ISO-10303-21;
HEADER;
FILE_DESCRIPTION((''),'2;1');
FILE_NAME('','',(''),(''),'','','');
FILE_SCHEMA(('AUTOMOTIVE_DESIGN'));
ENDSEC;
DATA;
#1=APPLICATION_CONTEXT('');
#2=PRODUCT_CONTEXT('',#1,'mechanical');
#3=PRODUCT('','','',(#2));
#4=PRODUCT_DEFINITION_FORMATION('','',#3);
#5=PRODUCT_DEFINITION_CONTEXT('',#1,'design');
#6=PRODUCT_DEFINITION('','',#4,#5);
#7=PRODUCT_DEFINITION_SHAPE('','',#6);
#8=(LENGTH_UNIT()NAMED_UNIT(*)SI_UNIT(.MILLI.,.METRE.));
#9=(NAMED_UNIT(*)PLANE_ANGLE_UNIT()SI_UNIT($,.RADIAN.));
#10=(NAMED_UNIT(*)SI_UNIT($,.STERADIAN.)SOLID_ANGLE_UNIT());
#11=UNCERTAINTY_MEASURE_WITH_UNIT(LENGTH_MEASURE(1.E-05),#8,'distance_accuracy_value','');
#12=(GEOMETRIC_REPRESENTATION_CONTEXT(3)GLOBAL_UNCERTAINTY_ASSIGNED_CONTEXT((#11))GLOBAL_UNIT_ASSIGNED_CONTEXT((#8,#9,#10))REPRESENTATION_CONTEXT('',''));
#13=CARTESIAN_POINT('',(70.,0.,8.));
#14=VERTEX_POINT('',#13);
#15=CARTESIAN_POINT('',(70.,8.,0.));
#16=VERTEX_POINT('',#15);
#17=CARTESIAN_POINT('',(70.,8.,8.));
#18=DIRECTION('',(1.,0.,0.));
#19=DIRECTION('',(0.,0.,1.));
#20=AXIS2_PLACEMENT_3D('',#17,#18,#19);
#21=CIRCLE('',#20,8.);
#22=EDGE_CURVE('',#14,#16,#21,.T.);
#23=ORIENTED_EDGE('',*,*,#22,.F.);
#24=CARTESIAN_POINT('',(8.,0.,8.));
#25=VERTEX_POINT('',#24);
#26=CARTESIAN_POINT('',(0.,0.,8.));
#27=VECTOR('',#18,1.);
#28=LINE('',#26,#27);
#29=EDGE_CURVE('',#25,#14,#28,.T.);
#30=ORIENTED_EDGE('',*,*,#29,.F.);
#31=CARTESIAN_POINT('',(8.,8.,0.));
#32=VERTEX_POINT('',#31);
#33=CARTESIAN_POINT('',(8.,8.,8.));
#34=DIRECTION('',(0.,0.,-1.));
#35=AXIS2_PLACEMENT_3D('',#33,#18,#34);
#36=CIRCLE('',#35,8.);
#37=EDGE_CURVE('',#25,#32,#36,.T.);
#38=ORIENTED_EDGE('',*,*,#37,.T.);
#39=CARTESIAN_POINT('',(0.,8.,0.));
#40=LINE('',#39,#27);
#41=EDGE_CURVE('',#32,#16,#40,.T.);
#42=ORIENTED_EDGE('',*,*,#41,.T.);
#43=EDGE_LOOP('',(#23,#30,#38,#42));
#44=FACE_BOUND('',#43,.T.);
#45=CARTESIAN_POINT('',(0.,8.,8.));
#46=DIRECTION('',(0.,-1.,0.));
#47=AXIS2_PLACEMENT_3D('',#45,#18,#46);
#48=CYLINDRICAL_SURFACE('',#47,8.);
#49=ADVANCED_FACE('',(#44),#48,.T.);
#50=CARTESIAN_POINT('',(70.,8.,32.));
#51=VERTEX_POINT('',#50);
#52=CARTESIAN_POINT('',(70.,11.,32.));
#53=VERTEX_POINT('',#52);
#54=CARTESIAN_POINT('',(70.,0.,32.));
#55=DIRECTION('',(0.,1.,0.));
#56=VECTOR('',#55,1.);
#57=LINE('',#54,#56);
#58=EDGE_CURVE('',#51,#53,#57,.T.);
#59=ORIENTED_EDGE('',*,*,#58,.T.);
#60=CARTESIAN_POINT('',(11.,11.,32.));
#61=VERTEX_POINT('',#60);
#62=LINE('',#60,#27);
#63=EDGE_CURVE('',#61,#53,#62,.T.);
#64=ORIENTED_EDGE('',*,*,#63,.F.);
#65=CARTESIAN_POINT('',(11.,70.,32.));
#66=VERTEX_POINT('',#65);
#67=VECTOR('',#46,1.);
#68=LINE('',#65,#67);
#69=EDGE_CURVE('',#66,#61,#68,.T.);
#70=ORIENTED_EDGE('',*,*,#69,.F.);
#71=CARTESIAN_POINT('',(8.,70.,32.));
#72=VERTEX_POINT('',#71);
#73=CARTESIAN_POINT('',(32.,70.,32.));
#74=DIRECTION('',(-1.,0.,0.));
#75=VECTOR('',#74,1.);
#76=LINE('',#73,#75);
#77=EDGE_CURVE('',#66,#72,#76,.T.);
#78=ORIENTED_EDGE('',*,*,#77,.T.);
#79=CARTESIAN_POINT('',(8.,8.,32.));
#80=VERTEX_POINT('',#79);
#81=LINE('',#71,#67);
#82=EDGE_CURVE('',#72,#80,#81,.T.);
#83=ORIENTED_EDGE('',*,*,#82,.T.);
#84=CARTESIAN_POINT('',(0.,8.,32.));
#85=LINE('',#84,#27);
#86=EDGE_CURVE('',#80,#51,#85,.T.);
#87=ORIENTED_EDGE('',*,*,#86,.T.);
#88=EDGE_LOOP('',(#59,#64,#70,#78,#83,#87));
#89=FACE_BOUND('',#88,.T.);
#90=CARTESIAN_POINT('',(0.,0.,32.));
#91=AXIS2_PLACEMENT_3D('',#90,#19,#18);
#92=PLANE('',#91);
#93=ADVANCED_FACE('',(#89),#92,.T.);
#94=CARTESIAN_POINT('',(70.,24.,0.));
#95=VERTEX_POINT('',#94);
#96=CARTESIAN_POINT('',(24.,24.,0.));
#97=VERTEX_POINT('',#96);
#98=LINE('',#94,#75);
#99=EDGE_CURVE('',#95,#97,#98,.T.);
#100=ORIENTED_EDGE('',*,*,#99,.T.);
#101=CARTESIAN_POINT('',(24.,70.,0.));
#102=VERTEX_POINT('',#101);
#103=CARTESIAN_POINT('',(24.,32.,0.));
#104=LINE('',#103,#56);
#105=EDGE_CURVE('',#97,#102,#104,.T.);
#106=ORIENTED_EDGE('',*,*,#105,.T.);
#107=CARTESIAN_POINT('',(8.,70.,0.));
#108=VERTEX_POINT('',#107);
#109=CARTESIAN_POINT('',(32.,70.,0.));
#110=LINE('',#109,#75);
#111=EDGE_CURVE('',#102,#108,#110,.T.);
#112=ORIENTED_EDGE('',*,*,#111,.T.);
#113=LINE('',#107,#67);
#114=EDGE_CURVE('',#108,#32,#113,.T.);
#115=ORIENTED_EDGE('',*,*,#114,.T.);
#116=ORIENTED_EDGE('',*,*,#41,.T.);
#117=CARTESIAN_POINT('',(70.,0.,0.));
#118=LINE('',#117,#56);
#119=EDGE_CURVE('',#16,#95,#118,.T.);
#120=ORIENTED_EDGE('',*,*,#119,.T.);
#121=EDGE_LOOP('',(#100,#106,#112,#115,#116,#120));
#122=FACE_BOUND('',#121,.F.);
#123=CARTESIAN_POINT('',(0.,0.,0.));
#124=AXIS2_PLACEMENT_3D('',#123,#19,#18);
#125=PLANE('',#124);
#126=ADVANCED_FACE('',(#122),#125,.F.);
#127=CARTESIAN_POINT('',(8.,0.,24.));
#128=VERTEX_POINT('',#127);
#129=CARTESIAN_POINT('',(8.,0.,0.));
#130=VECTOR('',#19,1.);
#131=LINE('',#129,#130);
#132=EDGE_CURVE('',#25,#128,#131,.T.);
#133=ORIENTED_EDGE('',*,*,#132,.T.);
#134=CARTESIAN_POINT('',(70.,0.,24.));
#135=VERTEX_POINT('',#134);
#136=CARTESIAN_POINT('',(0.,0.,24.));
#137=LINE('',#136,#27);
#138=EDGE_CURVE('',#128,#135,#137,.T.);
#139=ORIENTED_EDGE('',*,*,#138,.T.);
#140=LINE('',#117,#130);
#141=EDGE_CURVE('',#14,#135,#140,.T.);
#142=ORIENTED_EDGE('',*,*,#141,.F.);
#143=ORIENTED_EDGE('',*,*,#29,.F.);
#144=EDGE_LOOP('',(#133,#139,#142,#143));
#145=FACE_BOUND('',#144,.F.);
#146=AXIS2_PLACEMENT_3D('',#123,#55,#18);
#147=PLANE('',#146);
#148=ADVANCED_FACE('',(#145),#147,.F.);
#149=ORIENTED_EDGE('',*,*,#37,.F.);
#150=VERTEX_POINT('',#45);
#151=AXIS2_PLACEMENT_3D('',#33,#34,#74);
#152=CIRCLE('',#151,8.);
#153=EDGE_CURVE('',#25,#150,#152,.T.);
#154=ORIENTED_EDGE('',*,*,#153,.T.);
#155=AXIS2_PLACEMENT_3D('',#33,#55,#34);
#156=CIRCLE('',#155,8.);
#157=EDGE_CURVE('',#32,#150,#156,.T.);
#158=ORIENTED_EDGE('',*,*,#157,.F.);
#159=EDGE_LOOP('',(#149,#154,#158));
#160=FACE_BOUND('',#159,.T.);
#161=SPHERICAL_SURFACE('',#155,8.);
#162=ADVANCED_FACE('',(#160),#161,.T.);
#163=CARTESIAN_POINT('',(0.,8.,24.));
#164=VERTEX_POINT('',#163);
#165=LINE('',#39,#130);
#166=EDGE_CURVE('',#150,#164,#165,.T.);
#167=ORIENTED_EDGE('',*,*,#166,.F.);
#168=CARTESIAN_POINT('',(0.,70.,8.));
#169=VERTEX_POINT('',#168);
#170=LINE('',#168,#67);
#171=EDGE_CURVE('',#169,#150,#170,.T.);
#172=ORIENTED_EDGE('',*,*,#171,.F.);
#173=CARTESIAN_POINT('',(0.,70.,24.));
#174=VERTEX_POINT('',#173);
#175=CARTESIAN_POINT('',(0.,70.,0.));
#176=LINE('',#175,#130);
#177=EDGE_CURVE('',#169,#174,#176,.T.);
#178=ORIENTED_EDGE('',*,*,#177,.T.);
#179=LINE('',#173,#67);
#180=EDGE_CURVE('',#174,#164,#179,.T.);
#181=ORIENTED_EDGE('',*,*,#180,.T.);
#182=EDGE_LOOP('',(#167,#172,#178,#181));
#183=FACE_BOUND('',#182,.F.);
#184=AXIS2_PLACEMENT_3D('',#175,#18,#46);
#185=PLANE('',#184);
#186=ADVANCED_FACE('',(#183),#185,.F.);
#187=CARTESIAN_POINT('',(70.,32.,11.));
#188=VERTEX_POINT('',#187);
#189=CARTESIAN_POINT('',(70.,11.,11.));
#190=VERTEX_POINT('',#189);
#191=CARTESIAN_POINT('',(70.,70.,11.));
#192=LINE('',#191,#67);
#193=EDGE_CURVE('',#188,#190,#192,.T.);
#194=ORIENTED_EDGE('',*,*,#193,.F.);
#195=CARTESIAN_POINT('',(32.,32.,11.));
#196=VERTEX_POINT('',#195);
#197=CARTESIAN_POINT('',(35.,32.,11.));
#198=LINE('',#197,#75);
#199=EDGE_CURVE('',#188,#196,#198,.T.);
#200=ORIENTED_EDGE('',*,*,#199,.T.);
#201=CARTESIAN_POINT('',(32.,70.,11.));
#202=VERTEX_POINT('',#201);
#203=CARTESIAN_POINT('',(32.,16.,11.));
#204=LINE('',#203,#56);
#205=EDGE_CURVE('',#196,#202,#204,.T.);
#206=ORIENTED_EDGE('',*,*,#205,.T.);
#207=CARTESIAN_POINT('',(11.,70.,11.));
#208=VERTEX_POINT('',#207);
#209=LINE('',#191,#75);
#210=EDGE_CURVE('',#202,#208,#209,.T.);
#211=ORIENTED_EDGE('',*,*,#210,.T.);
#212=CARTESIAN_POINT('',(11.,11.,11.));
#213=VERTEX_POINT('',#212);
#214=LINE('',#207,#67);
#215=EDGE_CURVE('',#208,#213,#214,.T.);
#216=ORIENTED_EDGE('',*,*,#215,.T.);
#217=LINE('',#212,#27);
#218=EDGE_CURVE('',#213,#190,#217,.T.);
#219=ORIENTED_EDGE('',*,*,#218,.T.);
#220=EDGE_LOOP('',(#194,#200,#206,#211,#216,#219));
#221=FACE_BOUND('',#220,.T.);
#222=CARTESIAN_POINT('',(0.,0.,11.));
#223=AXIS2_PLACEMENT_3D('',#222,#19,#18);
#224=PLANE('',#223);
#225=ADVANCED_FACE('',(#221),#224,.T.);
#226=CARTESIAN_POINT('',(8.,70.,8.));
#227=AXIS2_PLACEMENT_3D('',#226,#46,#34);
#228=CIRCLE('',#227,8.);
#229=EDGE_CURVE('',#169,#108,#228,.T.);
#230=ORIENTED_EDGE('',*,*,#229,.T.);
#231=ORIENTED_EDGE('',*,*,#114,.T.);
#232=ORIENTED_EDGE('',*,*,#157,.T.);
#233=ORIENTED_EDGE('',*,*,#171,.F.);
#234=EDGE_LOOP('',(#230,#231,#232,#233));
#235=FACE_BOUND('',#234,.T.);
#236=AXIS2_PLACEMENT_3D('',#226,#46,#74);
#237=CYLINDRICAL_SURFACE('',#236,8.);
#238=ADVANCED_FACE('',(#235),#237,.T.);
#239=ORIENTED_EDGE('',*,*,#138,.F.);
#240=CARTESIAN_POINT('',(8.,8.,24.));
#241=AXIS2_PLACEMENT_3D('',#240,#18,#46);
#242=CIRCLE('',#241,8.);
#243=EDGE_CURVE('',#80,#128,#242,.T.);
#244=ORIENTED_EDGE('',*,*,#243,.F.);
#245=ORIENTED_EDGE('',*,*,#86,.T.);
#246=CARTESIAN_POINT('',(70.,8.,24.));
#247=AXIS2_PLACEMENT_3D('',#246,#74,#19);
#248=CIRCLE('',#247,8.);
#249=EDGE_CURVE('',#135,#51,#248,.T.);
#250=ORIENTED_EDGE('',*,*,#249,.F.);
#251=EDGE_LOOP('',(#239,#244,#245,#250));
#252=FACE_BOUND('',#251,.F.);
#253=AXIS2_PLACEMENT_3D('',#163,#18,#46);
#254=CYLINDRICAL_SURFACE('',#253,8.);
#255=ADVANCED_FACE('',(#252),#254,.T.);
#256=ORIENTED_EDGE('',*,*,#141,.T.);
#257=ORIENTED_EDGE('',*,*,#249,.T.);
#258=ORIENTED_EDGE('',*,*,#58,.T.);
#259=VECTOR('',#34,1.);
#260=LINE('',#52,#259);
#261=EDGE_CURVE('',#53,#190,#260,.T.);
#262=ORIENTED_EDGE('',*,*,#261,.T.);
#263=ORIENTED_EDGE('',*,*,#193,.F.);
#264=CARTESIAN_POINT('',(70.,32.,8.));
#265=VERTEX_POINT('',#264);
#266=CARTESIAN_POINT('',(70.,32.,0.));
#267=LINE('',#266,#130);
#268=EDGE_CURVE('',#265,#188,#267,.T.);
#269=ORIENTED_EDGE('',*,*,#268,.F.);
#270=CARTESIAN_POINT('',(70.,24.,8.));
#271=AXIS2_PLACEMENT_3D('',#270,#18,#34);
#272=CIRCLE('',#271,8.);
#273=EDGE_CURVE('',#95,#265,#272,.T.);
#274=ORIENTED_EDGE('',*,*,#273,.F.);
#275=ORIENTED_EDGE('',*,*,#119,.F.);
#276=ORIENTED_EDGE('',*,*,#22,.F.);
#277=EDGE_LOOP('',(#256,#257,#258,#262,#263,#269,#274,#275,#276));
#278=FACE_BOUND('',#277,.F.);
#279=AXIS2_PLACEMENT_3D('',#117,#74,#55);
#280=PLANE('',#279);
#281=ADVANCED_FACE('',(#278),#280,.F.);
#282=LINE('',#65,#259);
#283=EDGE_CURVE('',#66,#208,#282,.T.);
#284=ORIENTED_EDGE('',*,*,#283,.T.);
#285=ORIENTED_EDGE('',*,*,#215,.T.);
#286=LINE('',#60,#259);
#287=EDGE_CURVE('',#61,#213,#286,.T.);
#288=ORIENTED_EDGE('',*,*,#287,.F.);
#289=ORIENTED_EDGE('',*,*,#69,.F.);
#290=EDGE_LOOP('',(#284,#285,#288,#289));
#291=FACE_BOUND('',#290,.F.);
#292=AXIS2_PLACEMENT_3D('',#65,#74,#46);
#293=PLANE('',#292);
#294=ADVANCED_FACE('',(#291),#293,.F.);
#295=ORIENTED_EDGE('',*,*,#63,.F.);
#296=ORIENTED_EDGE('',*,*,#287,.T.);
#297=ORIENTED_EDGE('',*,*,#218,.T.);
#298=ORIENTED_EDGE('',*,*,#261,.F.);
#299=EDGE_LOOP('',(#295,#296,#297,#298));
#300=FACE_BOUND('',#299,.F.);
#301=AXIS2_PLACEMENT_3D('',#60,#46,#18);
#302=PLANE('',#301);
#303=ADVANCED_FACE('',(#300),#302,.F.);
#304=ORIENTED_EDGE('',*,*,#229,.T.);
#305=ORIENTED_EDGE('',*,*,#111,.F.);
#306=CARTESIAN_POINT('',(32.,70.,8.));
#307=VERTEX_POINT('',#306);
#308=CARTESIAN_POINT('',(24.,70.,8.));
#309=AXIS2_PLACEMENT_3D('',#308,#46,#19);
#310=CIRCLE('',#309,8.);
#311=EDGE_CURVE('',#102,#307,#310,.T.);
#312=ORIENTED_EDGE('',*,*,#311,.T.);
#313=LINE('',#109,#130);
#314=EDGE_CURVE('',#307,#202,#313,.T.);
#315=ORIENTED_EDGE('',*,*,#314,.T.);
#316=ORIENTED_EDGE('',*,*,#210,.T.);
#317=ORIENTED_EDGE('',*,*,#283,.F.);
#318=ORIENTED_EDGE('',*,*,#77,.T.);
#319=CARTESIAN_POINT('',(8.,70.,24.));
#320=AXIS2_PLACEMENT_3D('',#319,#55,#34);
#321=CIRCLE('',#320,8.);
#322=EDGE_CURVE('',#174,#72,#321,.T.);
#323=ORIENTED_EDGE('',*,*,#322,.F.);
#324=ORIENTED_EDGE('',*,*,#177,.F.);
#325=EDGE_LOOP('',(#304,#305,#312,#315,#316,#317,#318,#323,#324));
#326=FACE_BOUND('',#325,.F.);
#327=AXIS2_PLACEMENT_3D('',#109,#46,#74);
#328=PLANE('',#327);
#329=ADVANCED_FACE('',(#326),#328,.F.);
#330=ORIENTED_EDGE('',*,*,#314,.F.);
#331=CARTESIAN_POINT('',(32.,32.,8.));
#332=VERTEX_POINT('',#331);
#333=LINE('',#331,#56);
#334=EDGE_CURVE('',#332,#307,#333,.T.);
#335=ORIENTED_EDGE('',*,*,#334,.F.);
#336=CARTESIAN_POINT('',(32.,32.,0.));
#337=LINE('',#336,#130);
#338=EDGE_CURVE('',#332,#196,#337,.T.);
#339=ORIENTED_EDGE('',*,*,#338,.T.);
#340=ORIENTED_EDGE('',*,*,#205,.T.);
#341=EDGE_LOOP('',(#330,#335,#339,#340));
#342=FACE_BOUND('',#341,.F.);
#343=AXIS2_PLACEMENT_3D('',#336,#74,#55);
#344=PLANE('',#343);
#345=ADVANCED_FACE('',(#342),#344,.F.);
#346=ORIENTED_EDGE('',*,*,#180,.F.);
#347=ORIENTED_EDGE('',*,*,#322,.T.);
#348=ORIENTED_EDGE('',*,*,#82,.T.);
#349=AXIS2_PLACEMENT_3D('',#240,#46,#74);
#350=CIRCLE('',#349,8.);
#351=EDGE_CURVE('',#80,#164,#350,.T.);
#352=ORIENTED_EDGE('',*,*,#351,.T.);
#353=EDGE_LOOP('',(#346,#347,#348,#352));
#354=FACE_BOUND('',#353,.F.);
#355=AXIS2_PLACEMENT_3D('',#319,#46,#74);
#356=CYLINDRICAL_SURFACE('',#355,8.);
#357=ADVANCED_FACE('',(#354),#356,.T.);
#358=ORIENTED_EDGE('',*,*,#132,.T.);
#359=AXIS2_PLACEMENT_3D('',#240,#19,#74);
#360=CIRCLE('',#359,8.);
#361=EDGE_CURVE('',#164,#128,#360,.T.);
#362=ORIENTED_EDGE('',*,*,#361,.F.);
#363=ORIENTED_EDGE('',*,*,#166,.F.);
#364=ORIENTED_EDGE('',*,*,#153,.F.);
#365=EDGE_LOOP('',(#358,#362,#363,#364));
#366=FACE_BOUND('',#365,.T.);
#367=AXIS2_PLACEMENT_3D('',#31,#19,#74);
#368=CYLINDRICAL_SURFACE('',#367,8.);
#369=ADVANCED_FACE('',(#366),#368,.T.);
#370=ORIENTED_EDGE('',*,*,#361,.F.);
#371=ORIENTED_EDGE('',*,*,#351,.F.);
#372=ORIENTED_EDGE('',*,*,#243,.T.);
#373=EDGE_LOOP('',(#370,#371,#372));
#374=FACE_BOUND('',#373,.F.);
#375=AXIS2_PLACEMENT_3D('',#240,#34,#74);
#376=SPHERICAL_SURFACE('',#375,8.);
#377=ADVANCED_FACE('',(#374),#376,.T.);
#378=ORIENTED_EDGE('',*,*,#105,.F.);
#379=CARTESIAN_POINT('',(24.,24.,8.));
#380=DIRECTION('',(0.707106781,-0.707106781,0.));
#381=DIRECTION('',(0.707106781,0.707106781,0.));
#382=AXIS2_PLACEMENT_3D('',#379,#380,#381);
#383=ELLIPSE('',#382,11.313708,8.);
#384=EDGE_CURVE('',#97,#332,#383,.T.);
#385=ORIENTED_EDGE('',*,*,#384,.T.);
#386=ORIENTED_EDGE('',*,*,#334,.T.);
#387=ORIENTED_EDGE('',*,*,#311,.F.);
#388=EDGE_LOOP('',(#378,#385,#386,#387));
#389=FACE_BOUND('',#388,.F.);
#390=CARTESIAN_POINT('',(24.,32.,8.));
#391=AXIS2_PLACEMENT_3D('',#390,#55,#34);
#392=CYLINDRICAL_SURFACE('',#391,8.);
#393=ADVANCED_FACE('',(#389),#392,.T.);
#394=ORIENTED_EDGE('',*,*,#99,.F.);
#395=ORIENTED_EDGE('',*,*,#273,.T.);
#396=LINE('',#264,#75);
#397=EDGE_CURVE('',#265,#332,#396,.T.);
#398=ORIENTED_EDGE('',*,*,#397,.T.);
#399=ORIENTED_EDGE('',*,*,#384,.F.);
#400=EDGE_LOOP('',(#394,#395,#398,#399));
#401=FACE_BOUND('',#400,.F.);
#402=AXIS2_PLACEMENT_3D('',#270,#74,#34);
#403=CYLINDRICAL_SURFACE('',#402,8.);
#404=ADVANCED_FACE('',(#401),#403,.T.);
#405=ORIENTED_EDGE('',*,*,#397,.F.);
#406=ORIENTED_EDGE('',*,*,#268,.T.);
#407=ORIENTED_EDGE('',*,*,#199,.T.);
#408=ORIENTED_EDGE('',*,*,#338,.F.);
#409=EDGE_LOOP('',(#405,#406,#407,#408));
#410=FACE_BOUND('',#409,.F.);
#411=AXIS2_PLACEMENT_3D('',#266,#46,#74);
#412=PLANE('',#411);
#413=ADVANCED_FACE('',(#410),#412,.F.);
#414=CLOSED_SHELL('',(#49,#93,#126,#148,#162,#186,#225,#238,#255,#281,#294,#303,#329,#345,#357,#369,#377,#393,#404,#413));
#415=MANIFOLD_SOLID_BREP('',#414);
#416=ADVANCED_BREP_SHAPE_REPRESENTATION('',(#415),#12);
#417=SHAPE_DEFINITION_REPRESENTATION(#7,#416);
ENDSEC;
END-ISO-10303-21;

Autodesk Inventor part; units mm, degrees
ref_plane "YZ Plane" through (0, 0, 0) normal (1, 0, 0) x (0, 1, 0)
ref_plane "XZ Plane" through (0, 0, 0) normal (0, 1, 0) x (-1, 0, 0)
ref_plane "XY Plane" through (0, 0, 0) normal (0, 0, 1) x (1, 0, 0)
sketch "スケッチ1" plane through (0, 0, 0) normal (0, 0, 1) x (1, 0, 0)
  line L0 (0, 0) -> (70, 0)
  line L1 (70, 0) -> (70, 32)
  line L2 (70, 32) -> (32, 32)
  line L3 (32, 32) -> (32, 70)
  line L4 (32, 70) -> (0, 70)
  line L5 (0, 70) -> (0, 0)
  dimension "d0" = 70
  dimension "d1" = 70
  dimension "d3" = 32
  dimension "d4" = 32
extrude "押し出し1" add sketch "スケッチ1" along normal blind 32
sketch "スケッチ2" plane through (0, 0, 32) normal (0, 0, 1) x (1, 0, 0)
  line L0 (11, 11) -> (70, 11)
  line L1 (70, 11) -> (70, 70)
  line L2 (70, 70) -> (11, 70)
  line L3 (11, 70) -> (11, 11)
  line L4 (32, 70) -> (0, 70) projected
  line L5 (70, 0) -> (70, 32) projected
  line L6 (32, 32) -> (32, 70) projected
  line L7 (70, 32) -> (32, 32) projected
  point P0 (0, 0)
  dimension "d11" = 21
  dimension "d12" = 21
extrude "押し出し2" cut sketch "スケッチ2" against normal blind 21
fillet "フィレット1" radius 8 7 edges at (32, 51, 0) (51, 32, 0) (0, 35, 0) (35, 0, 0) (0, 0, 16) (0, 35, 32) (35, 0, 32)
properties part number "クッション"
